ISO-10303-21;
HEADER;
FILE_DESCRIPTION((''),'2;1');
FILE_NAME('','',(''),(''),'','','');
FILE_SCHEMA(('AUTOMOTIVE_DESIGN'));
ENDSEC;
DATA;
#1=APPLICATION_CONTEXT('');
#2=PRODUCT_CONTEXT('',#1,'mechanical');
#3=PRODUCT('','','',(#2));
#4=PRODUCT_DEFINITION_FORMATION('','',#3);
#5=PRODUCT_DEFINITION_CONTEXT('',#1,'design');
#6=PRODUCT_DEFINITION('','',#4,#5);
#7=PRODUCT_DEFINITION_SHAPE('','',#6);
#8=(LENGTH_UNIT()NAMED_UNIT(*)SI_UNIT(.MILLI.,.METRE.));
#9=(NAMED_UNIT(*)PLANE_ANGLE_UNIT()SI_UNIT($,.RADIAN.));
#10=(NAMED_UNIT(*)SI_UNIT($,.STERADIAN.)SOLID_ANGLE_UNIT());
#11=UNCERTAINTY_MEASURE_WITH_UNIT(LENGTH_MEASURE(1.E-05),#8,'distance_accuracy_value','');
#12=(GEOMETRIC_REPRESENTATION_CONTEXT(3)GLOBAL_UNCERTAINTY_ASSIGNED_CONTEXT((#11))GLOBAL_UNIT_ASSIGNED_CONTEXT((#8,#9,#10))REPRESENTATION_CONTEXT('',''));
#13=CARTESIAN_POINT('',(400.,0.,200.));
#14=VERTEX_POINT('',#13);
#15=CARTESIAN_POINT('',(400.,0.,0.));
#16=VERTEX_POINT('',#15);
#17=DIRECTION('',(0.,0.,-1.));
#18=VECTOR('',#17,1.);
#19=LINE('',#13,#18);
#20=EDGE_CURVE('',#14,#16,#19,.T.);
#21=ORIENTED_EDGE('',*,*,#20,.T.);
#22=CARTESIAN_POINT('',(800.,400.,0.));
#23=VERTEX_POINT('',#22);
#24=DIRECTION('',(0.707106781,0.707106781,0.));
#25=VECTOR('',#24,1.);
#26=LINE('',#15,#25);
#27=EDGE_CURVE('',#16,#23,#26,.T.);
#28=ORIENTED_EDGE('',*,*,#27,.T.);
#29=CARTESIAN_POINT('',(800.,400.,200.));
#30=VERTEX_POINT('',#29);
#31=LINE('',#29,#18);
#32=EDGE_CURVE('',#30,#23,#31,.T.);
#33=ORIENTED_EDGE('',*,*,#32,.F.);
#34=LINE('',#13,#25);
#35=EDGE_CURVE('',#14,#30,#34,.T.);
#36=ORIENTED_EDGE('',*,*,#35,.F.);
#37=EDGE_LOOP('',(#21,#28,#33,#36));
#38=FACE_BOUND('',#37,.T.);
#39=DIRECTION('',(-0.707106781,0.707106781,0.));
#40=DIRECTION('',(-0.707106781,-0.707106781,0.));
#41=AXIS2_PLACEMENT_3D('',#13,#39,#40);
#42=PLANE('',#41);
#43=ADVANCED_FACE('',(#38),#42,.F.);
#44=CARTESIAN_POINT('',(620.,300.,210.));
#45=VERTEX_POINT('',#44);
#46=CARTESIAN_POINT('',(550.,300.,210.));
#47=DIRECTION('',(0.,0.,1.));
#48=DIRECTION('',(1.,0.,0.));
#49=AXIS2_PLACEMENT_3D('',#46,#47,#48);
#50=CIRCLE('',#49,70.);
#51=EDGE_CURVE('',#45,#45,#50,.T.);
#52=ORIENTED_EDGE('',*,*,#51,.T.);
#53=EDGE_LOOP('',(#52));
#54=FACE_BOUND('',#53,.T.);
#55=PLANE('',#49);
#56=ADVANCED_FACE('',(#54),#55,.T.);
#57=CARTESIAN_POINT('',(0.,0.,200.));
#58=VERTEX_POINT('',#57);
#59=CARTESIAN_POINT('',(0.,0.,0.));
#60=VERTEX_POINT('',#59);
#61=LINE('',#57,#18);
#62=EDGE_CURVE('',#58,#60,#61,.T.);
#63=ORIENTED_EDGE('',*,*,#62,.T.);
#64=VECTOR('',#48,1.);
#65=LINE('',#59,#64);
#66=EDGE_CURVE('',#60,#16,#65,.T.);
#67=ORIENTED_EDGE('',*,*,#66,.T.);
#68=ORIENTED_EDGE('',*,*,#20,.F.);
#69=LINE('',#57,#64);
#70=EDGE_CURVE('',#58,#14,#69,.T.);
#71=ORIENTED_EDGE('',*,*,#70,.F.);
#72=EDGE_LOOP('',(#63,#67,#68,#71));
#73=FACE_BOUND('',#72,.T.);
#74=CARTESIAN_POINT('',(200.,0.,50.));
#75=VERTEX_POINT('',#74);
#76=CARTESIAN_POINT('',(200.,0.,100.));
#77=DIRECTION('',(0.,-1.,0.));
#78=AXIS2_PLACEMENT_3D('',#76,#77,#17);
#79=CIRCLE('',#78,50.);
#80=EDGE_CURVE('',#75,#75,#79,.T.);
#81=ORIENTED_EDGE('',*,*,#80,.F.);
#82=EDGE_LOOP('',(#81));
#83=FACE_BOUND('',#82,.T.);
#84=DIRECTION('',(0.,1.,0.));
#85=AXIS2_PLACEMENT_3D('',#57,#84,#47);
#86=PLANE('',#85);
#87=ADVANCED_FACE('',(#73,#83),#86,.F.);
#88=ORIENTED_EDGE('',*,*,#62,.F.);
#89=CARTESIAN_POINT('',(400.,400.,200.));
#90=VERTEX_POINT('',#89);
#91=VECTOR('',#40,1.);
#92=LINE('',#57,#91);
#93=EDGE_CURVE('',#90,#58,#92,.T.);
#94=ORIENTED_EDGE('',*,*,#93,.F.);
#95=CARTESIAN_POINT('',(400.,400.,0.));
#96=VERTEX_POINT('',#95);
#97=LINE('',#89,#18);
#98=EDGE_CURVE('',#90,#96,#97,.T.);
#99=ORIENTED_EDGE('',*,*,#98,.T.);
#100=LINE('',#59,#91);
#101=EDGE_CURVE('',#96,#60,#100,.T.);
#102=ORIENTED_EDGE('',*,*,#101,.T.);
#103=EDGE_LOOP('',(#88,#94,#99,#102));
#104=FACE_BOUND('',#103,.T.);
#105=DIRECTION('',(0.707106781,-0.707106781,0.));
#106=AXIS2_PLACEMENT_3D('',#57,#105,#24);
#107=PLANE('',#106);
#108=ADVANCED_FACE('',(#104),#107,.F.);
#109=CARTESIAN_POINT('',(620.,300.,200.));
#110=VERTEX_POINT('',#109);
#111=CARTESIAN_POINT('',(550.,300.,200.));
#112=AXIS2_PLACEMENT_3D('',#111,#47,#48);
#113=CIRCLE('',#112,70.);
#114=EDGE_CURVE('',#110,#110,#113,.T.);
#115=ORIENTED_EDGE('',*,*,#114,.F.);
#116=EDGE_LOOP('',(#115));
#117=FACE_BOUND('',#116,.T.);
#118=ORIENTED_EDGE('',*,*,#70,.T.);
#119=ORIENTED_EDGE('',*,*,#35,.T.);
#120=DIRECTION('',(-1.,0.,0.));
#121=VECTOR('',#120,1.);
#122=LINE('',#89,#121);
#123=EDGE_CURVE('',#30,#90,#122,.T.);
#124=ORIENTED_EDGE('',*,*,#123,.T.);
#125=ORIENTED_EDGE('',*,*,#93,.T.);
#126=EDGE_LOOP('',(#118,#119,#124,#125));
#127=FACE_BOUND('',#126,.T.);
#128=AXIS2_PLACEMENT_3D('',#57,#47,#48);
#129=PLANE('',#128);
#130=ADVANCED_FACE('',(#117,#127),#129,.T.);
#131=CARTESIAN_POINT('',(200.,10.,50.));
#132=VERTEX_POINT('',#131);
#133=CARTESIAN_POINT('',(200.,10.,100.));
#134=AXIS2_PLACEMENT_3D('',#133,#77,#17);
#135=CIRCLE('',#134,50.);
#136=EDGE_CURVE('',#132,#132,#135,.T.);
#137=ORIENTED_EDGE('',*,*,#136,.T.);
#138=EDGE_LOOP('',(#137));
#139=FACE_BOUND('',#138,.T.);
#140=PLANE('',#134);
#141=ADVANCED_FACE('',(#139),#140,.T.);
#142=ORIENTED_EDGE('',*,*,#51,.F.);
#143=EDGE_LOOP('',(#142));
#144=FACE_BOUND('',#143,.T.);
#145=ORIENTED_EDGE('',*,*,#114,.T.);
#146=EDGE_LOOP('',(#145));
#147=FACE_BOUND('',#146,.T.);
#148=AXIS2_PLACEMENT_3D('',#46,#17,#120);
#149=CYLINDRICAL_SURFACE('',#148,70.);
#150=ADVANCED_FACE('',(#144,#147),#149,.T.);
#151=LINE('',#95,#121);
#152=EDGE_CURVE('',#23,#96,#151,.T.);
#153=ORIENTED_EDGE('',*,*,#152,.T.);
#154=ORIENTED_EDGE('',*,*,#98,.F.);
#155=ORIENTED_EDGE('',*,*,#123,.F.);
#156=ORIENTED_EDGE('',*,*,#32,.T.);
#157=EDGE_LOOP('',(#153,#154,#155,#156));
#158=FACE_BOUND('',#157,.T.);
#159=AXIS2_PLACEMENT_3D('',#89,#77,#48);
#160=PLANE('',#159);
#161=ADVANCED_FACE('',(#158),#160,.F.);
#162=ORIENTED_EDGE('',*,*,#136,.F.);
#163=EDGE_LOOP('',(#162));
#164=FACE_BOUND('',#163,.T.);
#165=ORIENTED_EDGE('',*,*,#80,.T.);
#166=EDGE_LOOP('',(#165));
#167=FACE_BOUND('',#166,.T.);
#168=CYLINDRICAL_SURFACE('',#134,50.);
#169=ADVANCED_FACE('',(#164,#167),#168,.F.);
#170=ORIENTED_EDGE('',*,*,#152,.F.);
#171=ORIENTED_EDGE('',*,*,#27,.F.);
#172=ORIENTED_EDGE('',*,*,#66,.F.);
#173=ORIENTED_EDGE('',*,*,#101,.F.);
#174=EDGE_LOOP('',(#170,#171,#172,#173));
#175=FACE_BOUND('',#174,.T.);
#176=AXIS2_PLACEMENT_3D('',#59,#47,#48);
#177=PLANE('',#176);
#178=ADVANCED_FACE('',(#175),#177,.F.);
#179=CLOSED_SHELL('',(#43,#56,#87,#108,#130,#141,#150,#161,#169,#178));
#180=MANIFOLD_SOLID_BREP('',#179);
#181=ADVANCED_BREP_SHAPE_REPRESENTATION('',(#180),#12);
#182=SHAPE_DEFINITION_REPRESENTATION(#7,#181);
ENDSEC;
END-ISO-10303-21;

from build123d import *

# Parameters (mm, degrees)
BOSS_EXTRU_1_DEPTH      = 200
ESQUISSE2_R             = 70
BOSS_EXTRU_2_DEPTH      = 10
ESQUISSE3_R             = 50
ENL_V_MAT_EXTRU_1_DEPTH = 10


with BuildPart() as part:
    # Esquisse1 → Boss.-Extru.1 (new body)
    with BuildSketch(Plane.XY):
        Polygon((0, 0), (400, 400), (800, 400), (400, 0), align=None)
    extrude(amount=BOSS_EXTRU_1_DEPTH)

    # Esquisse2 → Boss.-Extru.2 (add)
    with BuildSketch(Plane.XY.offset(200)):
        with Locations((550, 300)):
            Circle(ESQUISSE2_R)
    extrude(amount=BOSS_EXTRU_2_DEPTH)

    # Esquisse3 → Enlèv. mat.-Extru.1 (cut)
    with BuildSketch(Plane(origin=(0, 0, 0), x_dir=(-1, 0, 0), z_dir=(0, -1, 0))):
        with Locations(Location((-200, -100, 0), (0, 0, 90))):
            Circle(ESQUISSE3_R)
    extrude(amount=-ENL_V_MAT_EXTRU_1_DEPTH, mode=Mode.SUBTRACT)


solid = part.part
